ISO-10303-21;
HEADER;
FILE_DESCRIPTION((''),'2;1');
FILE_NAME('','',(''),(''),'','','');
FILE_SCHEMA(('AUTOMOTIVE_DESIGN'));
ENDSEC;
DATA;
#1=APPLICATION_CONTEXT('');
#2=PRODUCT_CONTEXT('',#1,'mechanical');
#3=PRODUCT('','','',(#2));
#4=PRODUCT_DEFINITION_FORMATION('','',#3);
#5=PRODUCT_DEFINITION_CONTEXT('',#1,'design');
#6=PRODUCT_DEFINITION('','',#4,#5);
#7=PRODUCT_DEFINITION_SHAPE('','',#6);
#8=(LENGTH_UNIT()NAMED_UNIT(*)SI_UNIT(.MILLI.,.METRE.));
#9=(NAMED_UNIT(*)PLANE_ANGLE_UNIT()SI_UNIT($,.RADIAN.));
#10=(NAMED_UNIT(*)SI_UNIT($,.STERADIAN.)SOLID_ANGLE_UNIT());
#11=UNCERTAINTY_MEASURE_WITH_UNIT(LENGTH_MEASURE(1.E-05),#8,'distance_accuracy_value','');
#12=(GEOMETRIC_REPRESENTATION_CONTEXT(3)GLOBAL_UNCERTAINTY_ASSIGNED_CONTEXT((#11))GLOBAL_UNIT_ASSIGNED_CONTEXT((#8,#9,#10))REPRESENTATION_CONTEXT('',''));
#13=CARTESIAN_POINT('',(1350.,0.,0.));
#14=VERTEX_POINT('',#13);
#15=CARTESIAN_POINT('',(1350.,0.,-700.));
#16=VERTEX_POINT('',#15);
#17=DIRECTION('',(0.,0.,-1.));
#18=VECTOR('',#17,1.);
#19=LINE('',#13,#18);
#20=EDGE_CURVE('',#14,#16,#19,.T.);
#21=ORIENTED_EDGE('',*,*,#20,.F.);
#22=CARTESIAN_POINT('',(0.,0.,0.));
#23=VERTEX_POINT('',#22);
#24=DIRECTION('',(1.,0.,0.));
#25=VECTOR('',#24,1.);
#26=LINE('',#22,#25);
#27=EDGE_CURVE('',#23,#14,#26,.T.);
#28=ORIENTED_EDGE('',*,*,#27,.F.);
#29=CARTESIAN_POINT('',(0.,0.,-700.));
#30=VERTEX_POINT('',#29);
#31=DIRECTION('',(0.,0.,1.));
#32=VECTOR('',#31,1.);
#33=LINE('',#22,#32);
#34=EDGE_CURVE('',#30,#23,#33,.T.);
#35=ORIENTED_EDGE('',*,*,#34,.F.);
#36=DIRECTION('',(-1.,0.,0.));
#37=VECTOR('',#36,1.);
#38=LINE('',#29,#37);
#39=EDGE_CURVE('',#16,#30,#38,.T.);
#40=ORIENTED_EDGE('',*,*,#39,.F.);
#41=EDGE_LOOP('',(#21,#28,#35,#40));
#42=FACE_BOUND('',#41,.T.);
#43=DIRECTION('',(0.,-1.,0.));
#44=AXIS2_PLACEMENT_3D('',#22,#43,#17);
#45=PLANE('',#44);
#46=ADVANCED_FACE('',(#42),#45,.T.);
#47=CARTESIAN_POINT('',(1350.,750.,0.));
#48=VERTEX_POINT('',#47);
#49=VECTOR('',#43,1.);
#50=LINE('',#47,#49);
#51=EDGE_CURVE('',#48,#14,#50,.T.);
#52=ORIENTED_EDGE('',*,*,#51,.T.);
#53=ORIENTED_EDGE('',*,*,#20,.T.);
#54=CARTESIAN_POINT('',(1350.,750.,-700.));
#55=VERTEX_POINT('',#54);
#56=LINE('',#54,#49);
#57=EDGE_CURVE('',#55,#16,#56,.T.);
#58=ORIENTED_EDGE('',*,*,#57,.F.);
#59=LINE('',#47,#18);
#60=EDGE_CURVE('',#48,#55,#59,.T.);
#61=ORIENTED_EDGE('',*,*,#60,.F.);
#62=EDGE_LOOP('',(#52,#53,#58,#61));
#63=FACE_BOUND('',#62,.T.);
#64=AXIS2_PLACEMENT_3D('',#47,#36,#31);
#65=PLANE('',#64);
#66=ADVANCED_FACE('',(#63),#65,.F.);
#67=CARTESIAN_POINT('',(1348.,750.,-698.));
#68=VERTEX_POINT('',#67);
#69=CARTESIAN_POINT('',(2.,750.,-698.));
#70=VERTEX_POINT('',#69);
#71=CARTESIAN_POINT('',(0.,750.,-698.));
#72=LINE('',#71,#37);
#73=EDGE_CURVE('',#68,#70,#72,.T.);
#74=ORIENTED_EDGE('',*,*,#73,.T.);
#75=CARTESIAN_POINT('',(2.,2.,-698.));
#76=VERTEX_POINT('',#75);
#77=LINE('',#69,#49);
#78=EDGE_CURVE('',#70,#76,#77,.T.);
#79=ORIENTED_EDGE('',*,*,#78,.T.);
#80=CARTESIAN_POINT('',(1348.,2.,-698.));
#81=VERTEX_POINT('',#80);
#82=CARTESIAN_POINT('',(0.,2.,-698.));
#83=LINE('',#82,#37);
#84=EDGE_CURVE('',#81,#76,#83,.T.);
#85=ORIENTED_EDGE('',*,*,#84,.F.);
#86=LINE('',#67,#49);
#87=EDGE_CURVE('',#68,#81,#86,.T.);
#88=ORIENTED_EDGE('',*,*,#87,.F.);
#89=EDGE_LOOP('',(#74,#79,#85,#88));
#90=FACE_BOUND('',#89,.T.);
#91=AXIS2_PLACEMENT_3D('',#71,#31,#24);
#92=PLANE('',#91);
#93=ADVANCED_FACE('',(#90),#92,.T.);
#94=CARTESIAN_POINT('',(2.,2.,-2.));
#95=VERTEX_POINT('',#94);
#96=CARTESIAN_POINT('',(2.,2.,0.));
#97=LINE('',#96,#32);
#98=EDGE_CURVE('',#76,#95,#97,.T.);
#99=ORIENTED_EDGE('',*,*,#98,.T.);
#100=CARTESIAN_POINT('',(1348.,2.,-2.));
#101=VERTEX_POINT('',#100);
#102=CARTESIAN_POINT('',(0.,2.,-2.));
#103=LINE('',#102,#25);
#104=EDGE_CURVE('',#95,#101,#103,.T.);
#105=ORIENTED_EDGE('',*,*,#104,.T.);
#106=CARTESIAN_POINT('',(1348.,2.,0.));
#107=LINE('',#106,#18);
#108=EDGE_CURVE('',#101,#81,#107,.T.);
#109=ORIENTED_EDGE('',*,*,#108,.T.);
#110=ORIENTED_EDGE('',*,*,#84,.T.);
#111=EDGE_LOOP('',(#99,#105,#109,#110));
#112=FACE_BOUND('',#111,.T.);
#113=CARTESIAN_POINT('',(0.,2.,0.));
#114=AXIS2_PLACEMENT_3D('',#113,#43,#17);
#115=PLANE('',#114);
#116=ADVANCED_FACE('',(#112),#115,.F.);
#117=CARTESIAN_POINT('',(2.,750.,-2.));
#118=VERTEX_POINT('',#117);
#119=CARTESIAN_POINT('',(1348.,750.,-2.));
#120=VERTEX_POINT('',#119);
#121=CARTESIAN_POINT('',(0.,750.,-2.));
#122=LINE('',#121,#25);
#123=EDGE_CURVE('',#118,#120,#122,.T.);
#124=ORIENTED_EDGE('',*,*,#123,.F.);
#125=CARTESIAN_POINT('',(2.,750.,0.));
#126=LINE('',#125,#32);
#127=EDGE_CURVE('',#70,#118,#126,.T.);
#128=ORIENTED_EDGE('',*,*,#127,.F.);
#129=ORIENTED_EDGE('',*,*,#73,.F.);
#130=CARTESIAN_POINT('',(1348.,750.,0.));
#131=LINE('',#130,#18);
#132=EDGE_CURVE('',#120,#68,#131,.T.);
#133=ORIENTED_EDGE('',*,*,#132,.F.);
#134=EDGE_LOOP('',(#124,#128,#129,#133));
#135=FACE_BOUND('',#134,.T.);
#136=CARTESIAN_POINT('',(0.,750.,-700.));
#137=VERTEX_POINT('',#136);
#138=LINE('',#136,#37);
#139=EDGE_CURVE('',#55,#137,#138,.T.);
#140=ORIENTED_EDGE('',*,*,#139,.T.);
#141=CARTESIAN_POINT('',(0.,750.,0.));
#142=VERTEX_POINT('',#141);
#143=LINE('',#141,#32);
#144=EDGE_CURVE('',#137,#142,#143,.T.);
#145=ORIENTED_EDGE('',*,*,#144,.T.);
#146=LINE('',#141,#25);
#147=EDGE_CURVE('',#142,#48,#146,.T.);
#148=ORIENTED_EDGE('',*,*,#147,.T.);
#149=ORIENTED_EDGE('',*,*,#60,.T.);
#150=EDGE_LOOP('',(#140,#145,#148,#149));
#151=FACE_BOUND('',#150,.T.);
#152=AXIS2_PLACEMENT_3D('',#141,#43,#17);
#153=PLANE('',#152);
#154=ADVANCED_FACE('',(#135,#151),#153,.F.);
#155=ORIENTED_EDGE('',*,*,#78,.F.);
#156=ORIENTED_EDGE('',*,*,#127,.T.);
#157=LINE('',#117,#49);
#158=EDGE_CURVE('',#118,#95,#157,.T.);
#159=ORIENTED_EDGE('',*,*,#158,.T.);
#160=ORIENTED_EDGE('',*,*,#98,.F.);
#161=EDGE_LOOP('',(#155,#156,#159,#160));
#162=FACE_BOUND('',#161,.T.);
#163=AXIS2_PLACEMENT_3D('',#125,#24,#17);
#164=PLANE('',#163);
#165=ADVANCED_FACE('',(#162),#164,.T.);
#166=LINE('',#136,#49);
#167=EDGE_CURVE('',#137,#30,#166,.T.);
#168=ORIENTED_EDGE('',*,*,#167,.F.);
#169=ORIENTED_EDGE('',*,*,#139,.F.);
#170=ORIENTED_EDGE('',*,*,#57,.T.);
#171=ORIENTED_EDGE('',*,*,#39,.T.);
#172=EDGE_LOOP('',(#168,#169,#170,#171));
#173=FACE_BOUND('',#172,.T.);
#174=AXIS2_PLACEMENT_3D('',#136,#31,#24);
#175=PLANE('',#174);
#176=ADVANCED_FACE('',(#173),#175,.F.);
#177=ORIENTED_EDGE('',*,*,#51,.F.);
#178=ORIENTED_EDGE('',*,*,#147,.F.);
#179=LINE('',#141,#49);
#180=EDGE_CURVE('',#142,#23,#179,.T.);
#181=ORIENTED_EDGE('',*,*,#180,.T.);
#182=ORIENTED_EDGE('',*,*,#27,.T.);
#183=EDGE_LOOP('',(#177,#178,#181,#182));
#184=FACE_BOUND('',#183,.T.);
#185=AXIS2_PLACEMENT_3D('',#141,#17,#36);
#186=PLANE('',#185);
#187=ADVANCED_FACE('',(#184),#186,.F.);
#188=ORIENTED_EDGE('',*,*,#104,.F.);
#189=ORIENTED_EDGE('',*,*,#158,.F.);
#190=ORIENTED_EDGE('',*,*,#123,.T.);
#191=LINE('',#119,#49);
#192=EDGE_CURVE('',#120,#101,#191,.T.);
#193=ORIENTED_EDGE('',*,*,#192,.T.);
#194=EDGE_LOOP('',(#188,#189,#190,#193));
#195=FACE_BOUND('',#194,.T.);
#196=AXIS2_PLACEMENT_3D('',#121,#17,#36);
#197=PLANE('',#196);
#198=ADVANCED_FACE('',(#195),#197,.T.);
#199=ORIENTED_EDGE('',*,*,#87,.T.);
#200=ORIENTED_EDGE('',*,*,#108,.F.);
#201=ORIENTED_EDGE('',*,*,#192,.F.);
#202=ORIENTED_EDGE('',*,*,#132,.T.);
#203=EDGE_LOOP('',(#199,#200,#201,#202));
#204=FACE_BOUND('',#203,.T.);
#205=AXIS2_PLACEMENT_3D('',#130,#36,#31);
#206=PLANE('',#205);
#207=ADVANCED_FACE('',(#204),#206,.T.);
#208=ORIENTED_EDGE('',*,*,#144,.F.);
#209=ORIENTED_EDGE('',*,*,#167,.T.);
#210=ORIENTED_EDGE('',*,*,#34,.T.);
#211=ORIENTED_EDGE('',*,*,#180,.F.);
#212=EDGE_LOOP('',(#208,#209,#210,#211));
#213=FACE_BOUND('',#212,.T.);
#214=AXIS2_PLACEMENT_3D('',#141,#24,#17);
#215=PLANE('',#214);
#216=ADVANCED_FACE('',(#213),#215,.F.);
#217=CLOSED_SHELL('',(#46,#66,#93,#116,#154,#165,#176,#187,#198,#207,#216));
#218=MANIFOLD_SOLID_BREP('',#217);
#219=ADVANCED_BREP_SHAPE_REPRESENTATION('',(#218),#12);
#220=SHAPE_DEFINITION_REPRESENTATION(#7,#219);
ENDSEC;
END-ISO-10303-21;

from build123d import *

# Parameters (mm, degrees)
MASTER_FOOTPRINT_W    = 1350
MASTER_FOOTPRINT_H    = 700
BATH_BASE_PLATE_DEPTH = 750
BATH_SHELL_2MM_T      = -2


with BuildPart() as part:
    # MASTER_FOOTPRINT → BATH_BASE_PLATE (new body)
    with BuildSketch(Plane(origin=(0, 0, 0), x_dir=(1, 0, 0), z_dir=(0, 1, 0))):
        with Locations((675, 350)):
            Rectangle(MASTER_FOOTPRINT_W, MASTER_FOOTPRINT_H)
    extrude(amount=BATH_BASE_PLATE_DEPTH)

    # BATH_SHELL_2MM
    bath_shell_2mm_openings = [part.faces().sort_by_distance(p)[0] for p in [
        (675, 750, -350),
    ]]
    offset(amount=BATH_SHELL_2MM_T, openings=bath_shell_2mm_openings, kind=Kind.INTERSECTION)


solid = part.part
